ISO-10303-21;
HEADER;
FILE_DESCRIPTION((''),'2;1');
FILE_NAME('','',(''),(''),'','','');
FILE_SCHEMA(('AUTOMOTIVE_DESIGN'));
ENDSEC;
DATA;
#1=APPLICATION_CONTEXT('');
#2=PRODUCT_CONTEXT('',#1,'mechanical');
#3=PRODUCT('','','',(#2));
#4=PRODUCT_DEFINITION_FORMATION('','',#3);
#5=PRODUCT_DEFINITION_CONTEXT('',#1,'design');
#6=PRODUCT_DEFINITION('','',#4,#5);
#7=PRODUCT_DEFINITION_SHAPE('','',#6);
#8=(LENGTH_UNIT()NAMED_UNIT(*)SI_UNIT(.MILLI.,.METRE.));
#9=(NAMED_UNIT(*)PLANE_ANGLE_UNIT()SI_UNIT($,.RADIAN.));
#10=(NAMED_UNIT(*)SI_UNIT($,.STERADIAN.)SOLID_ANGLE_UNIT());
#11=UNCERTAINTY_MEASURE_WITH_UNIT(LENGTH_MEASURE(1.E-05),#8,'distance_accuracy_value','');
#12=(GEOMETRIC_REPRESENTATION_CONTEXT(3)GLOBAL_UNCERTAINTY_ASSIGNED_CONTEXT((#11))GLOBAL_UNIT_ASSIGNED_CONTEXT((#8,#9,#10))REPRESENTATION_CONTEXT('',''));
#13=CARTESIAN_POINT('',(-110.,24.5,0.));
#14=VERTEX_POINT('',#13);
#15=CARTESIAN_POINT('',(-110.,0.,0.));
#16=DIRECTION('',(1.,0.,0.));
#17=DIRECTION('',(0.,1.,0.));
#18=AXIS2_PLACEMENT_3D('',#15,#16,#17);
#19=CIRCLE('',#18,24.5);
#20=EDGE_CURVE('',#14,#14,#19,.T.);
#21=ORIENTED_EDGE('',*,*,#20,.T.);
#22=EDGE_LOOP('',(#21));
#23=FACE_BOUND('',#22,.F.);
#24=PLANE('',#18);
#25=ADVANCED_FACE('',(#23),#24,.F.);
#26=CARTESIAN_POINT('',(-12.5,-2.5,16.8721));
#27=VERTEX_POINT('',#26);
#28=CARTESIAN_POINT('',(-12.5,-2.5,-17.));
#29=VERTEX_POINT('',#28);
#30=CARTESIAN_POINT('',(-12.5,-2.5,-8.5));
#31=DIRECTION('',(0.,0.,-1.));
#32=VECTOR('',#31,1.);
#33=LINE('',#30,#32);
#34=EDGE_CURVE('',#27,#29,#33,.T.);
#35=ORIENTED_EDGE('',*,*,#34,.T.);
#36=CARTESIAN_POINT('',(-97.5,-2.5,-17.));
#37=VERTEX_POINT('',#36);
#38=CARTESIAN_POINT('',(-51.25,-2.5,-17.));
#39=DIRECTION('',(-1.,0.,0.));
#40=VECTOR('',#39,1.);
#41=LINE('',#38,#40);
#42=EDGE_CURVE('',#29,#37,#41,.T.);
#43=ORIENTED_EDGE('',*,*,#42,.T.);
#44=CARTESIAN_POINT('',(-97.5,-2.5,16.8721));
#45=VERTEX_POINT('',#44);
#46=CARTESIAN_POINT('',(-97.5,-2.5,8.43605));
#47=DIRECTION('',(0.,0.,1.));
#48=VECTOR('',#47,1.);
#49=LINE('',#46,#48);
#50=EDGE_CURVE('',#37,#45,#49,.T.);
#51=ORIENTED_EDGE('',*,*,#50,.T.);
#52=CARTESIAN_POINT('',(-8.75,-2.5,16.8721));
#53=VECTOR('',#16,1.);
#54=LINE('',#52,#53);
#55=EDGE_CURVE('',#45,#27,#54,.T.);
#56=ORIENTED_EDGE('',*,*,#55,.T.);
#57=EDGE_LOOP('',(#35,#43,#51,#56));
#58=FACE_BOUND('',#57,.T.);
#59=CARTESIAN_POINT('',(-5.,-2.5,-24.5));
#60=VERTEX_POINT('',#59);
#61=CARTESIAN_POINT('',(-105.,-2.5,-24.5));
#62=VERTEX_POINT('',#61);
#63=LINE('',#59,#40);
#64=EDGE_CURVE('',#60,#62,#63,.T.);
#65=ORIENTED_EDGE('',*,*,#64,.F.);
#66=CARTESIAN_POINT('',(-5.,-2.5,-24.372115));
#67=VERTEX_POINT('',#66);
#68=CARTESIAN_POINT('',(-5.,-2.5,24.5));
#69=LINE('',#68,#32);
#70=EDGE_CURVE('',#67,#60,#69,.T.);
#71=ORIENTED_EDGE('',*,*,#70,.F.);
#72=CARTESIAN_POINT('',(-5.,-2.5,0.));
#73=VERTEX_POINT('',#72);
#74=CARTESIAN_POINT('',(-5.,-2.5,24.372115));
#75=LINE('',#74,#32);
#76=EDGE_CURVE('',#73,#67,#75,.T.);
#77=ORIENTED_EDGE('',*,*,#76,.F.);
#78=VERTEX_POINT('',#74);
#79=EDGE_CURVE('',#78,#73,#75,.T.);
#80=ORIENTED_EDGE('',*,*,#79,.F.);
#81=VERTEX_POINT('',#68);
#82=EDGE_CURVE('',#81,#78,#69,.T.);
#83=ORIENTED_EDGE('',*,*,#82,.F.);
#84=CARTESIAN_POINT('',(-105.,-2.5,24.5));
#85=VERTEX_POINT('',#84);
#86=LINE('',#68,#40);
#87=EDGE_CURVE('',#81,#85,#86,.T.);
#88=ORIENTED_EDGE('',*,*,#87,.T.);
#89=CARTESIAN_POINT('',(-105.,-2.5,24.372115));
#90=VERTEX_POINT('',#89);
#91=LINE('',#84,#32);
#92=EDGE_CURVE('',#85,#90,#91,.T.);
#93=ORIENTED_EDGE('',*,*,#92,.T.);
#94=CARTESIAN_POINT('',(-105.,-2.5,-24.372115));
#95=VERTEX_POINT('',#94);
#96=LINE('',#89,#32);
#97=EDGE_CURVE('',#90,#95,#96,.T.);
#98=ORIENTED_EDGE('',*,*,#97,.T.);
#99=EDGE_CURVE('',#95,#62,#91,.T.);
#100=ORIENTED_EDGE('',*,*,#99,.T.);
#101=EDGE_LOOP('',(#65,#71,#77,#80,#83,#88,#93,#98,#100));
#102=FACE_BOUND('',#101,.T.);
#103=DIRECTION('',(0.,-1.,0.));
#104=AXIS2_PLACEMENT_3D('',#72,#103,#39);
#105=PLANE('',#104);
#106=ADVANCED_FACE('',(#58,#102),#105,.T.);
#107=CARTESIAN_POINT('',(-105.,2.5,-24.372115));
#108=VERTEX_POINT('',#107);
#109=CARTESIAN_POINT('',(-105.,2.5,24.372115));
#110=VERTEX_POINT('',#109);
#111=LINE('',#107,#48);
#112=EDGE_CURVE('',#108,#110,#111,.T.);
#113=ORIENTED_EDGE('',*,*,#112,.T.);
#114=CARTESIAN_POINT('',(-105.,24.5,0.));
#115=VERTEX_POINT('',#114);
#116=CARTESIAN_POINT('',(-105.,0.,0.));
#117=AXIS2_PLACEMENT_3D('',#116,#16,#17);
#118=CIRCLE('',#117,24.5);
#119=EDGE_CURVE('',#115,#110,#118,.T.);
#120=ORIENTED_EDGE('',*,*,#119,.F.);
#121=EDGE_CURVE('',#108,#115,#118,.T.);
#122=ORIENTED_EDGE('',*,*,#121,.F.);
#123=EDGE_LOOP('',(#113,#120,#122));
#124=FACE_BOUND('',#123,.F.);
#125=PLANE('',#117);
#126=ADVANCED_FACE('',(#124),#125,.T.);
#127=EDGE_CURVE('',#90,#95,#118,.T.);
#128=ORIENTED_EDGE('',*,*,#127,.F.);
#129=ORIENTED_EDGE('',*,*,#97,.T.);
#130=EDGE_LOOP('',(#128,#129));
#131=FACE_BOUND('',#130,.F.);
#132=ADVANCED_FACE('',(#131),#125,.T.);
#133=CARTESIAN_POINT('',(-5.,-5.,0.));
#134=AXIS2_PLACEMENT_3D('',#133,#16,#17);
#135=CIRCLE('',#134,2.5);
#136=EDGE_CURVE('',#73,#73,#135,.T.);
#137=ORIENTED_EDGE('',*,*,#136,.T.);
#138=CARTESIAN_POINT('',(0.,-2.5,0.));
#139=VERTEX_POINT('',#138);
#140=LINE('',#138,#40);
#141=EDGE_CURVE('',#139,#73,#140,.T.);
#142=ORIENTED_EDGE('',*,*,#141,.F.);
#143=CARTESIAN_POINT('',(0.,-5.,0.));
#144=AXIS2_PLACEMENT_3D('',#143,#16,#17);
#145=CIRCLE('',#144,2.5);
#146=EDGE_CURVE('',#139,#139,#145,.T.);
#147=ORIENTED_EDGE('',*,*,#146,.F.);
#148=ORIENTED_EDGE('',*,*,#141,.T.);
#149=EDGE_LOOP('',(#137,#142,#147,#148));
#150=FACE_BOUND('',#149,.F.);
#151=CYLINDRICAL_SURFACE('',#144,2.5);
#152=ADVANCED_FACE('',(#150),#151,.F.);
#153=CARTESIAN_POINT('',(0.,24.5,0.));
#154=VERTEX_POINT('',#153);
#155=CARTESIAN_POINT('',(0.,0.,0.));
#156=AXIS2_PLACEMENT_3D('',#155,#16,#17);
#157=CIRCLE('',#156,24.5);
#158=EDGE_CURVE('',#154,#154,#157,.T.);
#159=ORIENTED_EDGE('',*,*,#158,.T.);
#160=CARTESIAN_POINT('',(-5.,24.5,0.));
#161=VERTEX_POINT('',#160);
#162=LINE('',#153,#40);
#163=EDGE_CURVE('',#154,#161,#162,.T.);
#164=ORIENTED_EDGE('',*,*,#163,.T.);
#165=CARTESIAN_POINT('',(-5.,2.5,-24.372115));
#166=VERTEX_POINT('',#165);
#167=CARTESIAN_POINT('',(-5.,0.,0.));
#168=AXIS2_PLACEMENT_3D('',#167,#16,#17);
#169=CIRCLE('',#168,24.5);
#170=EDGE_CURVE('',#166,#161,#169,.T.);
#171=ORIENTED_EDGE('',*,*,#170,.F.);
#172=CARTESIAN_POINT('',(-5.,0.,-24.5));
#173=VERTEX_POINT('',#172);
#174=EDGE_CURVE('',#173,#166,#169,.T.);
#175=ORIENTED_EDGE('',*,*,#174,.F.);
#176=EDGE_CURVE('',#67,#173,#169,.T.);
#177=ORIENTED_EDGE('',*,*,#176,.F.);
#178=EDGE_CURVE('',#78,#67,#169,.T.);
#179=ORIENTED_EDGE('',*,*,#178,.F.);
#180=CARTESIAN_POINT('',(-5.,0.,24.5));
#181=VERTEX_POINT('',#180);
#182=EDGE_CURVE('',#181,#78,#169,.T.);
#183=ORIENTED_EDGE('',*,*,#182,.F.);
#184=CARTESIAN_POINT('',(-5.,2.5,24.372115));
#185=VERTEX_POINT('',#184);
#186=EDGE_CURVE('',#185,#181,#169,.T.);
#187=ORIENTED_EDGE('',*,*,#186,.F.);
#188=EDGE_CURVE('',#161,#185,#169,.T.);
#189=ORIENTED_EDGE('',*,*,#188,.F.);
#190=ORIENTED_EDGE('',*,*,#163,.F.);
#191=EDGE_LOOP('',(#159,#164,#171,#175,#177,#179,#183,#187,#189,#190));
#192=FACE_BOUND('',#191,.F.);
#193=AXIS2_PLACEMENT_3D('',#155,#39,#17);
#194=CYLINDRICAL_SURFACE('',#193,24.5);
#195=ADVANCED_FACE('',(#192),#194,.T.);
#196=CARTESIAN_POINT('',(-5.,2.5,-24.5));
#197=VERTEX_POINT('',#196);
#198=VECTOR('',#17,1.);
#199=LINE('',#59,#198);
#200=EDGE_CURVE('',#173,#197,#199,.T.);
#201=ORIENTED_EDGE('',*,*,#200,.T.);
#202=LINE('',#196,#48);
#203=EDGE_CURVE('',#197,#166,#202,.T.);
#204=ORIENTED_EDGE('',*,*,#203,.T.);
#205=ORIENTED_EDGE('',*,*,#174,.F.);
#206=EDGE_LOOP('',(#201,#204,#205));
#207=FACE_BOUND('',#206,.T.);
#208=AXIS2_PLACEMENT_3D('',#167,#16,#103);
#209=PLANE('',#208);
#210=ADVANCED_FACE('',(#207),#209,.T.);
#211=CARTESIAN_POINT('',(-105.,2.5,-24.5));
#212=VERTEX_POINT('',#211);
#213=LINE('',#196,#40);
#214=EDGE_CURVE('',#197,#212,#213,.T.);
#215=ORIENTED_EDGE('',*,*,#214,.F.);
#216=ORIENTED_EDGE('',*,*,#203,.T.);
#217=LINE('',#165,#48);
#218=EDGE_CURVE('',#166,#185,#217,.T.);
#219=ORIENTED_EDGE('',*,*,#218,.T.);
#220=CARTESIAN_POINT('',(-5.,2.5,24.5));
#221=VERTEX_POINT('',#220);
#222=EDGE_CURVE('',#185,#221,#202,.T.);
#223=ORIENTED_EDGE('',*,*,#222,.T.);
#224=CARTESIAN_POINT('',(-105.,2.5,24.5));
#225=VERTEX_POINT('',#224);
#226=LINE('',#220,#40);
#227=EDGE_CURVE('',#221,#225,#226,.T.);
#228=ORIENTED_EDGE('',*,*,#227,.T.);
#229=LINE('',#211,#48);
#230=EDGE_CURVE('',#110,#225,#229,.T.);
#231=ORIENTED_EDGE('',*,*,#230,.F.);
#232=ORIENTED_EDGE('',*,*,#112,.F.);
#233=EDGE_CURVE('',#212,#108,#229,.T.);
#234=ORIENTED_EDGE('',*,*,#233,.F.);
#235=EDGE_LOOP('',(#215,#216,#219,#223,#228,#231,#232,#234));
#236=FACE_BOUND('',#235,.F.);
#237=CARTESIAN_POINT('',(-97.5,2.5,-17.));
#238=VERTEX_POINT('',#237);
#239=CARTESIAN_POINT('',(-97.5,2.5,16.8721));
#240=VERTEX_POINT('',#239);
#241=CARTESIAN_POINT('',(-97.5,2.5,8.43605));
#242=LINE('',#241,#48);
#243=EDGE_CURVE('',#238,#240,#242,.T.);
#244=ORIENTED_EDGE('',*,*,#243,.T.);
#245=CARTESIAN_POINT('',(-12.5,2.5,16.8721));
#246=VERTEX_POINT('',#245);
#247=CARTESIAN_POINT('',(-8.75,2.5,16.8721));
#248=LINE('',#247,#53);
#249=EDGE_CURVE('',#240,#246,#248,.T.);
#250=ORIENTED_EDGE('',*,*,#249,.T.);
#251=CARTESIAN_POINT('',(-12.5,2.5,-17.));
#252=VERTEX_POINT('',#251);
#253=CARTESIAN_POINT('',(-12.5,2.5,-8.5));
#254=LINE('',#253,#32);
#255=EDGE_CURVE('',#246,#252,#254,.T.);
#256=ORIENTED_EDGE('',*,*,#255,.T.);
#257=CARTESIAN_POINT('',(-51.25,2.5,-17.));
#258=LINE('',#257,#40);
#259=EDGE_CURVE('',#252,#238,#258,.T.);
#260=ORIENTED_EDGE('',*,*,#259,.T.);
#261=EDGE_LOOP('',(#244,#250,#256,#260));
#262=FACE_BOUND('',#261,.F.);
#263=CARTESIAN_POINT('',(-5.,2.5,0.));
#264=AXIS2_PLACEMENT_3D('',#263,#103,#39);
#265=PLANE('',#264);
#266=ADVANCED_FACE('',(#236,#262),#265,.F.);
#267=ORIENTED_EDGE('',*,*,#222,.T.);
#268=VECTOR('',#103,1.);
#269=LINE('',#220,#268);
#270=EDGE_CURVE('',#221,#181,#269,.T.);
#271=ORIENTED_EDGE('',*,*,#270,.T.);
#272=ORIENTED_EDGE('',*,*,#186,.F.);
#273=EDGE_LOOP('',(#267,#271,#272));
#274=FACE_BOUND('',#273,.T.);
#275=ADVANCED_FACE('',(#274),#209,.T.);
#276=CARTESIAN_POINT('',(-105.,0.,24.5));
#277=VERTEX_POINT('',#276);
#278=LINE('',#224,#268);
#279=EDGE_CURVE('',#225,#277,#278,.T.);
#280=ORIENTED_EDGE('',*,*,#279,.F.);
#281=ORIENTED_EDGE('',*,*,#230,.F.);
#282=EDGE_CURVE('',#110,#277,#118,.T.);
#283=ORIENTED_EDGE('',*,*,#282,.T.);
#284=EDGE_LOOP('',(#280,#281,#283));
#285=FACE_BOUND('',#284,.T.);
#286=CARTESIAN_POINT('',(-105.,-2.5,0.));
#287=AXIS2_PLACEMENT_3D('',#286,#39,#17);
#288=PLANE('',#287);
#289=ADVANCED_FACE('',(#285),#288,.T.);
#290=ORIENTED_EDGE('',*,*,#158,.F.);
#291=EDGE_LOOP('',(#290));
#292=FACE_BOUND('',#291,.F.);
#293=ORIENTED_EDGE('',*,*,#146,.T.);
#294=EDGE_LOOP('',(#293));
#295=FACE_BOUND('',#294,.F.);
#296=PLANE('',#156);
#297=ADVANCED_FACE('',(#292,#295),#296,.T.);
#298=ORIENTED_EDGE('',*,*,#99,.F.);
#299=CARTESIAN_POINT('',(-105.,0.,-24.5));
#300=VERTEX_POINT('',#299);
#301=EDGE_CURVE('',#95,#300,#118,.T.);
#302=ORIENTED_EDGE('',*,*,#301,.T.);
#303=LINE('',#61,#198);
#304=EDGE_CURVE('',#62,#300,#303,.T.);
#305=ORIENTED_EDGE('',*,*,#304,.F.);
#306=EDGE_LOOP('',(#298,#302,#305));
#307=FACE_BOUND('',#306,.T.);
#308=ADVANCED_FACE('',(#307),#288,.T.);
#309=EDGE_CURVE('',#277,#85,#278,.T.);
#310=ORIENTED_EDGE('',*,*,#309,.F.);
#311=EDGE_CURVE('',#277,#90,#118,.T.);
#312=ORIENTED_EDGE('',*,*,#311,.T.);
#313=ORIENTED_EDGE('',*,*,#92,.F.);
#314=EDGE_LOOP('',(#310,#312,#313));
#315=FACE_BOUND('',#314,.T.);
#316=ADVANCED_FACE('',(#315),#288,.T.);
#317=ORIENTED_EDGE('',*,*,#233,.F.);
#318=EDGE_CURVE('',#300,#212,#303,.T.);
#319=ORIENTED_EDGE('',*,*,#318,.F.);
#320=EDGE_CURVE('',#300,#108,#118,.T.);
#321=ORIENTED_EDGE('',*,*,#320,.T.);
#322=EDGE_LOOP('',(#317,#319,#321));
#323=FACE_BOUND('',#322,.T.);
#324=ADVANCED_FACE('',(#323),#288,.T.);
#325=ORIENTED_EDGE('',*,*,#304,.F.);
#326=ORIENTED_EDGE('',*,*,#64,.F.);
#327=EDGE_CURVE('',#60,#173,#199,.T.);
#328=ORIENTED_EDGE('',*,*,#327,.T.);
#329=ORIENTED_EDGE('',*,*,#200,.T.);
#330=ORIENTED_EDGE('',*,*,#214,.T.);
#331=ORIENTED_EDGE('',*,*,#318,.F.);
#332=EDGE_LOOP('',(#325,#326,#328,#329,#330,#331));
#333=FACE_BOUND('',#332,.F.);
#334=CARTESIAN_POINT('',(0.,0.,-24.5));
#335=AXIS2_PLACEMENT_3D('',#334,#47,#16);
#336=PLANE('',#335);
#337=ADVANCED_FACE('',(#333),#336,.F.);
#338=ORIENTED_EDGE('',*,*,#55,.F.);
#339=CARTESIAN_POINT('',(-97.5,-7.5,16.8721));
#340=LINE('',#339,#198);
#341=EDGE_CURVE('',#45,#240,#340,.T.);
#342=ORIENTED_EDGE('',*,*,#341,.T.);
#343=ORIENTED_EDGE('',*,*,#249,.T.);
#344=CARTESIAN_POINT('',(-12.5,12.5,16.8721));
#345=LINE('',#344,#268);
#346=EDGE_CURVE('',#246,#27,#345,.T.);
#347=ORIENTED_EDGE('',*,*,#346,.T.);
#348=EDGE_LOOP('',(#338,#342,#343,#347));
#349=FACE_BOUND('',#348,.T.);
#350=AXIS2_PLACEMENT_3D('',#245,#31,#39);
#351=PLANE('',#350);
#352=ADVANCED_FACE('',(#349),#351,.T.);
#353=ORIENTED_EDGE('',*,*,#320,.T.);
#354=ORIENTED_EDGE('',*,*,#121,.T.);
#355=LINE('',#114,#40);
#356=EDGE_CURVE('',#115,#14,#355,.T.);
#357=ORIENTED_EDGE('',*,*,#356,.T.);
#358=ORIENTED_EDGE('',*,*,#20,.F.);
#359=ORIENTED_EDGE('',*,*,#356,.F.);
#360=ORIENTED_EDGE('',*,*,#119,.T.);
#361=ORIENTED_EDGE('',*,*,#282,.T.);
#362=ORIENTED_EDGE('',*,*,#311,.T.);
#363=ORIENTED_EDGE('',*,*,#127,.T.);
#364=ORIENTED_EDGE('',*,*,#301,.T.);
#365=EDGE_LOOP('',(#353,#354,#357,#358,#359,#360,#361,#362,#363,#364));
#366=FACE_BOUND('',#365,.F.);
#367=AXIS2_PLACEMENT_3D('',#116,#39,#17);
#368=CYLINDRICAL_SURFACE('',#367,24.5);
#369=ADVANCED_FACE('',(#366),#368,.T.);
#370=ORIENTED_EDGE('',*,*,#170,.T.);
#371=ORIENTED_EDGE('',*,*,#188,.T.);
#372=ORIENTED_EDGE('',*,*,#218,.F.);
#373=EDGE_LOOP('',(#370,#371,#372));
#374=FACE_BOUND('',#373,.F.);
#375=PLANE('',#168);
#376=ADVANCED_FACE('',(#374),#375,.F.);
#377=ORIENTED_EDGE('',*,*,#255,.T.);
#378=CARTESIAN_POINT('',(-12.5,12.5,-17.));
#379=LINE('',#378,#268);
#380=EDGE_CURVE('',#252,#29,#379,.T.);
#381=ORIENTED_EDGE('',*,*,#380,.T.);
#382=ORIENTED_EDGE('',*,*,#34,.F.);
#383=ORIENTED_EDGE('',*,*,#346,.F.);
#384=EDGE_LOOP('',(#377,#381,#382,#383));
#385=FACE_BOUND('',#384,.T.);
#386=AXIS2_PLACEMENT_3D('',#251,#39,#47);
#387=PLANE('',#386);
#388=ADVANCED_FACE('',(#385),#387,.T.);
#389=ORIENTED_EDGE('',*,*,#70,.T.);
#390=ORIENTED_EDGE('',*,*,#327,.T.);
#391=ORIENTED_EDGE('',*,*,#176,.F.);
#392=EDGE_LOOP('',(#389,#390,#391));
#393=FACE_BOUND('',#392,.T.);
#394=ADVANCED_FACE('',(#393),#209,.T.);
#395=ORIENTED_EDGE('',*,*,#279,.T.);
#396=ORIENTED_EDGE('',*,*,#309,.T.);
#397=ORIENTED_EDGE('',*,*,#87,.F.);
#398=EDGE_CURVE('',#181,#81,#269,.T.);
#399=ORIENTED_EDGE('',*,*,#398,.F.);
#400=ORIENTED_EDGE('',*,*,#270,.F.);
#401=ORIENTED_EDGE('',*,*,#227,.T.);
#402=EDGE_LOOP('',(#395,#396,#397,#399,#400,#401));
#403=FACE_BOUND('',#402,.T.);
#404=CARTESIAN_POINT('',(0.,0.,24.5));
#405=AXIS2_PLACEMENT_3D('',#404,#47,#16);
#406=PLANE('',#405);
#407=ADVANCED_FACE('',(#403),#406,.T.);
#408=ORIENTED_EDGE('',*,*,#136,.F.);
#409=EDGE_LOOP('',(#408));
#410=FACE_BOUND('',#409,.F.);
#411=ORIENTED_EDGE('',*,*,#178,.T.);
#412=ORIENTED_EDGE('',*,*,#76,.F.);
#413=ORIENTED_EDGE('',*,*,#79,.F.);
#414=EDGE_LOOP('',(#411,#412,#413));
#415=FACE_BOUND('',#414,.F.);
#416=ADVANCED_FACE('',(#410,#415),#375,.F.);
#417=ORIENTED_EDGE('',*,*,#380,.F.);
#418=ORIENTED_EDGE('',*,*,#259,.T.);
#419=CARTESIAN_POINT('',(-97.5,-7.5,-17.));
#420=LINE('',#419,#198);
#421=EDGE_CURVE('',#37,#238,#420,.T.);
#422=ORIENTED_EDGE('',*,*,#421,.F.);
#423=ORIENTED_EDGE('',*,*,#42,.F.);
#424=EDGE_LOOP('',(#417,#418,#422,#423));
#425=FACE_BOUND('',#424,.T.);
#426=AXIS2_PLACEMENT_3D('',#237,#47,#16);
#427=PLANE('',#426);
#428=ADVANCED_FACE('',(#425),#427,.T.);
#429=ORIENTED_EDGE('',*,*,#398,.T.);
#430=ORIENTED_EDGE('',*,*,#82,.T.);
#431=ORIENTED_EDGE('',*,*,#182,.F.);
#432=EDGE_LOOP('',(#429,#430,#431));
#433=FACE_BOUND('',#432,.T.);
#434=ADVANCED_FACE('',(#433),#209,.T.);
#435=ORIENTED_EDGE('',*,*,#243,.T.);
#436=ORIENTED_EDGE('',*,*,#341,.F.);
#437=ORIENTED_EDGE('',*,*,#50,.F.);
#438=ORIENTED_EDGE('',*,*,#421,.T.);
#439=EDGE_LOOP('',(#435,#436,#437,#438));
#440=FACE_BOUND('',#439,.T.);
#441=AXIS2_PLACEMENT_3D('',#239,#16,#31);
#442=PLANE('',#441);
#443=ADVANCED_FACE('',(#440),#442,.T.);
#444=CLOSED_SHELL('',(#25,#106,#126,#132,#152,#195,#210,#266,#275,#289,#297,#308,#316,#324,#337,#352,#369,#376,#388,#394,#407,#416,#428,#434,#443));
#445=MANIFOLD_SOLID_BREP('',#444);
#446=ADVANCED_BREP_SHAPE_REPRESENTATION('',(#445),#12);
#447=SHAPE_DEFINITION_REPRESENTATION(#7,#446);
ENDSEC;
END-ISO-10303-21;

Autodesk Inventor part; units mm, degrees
ref_plane "YZ Plane" through (0, 0, 0) normal (1, 0, 0) x (0, 1, 0)
ref_plane "XZ Plane" through (0, 0, 0) normal (0, 1, 0) x (-1, 0, 0)
ref_plane "XY Plane" through (0, 0, 0) normal (0, 0, 1) x (1, 0, 0)
sketch "Sketch1" plane through (0, 0, 0) normal (0, 1, 0) x (-1, 0, 0)
  point P0 (0, 0)
sketch "Sketch2" plane through (0, 0, 0) normal (0, 0, 1) x (1, 0, 0)
  line L0 (0, 0) -> (0, 24.5)
  line L1 (0, 24.5) -> (-5, 24.5)
  line L2 (-5, 24.5) -> (-5, 2.5)
  line L3 (-5, 2.5) -> (-105, 2.5)
  line L4 (-105, 2.5) -> (-105, 24.5)
  line L5 (-105, 24.5) -> (-110, 24.5)
  line L6 (-110, 24.5) -> (-110, 0)
  line L7 (-110, 0) -> (0, 0)
  line L8 (-105, 2.5) -> (-5, 2.5)
  line L9 (-5, 2.5) -> (-5, -2.5)
  line L10 (-5, -2.5) -> (-105, -2.5)
  line L11 (-105, -2.5) -> (-105, 2.5)
  point P0 (-5, 2.5)
  dimension "d0" = 24.5
  dimension "d1" = 5
  dimension "d2" = 22
  dimension "d3" = 100
  dimension "d4" = 5
  dimension "d6" = 5
revolve "Revolution1" add sketch "Sketch2" angle 360 about axis through (-110, 0, 0) along (1, 0, 0) contours L7 L9 L2 L1 L0 | L7 L11 L3 L9 | L7 L6 L5 L4 L11
extrude "Extrusion1" add sketch "Sketch2" along normal mid plane 49 contours L9 L10 L11 L7 | L7 L11 L3 L9
sketch "Sketch3" plane through (-105, 2.5, -24.5) normal (0, 1, 0) x (1, 0, 0)
  line L0 (100, 0) -> (0, 0) projected
  line L1 (100, -48.8721) -> (100, -0.1279) projected
  line L2 (0, 0) -> (100, 0)
  line L3 (100, 0) -> (100, -48.8721)
  line L4 (100, -48.8721) -> (0, -48.8721)
  line L5 (0, -48.8721) -> (0, 0)
  line L6 (7.5, -7.5) -> (92.5, -7.5)
  line L7 (92.5, -7.5) -> (92.5, -41.3721)
  line L8 (92.5, -41.3721) -> (7.5, -41.3721)
  line L9 (7.5, -41.3721) -> (7.5, -7.5)
  point P0 (105, -24.5)
  dimension "d9" = 7.5
extrude "Extrusion2" cut sketch "Sketch3" against normal mid plane 20 contours L6 L7 L8 L9
sketch "Sketch4" plane through (0, 0, 0) normal (1, 0, 0) x (0, 1, 0)
  circle A0 centre (-5, 0) radius 2.5
  point P0 (0, 0)
  dimension "d13" = 5
  dimension "d16" = 5
extrude "Extrusion3" cut sketch "Sketch4" against normal blind 10
properties part number "electronicsbay" material "ABS Plastic"
